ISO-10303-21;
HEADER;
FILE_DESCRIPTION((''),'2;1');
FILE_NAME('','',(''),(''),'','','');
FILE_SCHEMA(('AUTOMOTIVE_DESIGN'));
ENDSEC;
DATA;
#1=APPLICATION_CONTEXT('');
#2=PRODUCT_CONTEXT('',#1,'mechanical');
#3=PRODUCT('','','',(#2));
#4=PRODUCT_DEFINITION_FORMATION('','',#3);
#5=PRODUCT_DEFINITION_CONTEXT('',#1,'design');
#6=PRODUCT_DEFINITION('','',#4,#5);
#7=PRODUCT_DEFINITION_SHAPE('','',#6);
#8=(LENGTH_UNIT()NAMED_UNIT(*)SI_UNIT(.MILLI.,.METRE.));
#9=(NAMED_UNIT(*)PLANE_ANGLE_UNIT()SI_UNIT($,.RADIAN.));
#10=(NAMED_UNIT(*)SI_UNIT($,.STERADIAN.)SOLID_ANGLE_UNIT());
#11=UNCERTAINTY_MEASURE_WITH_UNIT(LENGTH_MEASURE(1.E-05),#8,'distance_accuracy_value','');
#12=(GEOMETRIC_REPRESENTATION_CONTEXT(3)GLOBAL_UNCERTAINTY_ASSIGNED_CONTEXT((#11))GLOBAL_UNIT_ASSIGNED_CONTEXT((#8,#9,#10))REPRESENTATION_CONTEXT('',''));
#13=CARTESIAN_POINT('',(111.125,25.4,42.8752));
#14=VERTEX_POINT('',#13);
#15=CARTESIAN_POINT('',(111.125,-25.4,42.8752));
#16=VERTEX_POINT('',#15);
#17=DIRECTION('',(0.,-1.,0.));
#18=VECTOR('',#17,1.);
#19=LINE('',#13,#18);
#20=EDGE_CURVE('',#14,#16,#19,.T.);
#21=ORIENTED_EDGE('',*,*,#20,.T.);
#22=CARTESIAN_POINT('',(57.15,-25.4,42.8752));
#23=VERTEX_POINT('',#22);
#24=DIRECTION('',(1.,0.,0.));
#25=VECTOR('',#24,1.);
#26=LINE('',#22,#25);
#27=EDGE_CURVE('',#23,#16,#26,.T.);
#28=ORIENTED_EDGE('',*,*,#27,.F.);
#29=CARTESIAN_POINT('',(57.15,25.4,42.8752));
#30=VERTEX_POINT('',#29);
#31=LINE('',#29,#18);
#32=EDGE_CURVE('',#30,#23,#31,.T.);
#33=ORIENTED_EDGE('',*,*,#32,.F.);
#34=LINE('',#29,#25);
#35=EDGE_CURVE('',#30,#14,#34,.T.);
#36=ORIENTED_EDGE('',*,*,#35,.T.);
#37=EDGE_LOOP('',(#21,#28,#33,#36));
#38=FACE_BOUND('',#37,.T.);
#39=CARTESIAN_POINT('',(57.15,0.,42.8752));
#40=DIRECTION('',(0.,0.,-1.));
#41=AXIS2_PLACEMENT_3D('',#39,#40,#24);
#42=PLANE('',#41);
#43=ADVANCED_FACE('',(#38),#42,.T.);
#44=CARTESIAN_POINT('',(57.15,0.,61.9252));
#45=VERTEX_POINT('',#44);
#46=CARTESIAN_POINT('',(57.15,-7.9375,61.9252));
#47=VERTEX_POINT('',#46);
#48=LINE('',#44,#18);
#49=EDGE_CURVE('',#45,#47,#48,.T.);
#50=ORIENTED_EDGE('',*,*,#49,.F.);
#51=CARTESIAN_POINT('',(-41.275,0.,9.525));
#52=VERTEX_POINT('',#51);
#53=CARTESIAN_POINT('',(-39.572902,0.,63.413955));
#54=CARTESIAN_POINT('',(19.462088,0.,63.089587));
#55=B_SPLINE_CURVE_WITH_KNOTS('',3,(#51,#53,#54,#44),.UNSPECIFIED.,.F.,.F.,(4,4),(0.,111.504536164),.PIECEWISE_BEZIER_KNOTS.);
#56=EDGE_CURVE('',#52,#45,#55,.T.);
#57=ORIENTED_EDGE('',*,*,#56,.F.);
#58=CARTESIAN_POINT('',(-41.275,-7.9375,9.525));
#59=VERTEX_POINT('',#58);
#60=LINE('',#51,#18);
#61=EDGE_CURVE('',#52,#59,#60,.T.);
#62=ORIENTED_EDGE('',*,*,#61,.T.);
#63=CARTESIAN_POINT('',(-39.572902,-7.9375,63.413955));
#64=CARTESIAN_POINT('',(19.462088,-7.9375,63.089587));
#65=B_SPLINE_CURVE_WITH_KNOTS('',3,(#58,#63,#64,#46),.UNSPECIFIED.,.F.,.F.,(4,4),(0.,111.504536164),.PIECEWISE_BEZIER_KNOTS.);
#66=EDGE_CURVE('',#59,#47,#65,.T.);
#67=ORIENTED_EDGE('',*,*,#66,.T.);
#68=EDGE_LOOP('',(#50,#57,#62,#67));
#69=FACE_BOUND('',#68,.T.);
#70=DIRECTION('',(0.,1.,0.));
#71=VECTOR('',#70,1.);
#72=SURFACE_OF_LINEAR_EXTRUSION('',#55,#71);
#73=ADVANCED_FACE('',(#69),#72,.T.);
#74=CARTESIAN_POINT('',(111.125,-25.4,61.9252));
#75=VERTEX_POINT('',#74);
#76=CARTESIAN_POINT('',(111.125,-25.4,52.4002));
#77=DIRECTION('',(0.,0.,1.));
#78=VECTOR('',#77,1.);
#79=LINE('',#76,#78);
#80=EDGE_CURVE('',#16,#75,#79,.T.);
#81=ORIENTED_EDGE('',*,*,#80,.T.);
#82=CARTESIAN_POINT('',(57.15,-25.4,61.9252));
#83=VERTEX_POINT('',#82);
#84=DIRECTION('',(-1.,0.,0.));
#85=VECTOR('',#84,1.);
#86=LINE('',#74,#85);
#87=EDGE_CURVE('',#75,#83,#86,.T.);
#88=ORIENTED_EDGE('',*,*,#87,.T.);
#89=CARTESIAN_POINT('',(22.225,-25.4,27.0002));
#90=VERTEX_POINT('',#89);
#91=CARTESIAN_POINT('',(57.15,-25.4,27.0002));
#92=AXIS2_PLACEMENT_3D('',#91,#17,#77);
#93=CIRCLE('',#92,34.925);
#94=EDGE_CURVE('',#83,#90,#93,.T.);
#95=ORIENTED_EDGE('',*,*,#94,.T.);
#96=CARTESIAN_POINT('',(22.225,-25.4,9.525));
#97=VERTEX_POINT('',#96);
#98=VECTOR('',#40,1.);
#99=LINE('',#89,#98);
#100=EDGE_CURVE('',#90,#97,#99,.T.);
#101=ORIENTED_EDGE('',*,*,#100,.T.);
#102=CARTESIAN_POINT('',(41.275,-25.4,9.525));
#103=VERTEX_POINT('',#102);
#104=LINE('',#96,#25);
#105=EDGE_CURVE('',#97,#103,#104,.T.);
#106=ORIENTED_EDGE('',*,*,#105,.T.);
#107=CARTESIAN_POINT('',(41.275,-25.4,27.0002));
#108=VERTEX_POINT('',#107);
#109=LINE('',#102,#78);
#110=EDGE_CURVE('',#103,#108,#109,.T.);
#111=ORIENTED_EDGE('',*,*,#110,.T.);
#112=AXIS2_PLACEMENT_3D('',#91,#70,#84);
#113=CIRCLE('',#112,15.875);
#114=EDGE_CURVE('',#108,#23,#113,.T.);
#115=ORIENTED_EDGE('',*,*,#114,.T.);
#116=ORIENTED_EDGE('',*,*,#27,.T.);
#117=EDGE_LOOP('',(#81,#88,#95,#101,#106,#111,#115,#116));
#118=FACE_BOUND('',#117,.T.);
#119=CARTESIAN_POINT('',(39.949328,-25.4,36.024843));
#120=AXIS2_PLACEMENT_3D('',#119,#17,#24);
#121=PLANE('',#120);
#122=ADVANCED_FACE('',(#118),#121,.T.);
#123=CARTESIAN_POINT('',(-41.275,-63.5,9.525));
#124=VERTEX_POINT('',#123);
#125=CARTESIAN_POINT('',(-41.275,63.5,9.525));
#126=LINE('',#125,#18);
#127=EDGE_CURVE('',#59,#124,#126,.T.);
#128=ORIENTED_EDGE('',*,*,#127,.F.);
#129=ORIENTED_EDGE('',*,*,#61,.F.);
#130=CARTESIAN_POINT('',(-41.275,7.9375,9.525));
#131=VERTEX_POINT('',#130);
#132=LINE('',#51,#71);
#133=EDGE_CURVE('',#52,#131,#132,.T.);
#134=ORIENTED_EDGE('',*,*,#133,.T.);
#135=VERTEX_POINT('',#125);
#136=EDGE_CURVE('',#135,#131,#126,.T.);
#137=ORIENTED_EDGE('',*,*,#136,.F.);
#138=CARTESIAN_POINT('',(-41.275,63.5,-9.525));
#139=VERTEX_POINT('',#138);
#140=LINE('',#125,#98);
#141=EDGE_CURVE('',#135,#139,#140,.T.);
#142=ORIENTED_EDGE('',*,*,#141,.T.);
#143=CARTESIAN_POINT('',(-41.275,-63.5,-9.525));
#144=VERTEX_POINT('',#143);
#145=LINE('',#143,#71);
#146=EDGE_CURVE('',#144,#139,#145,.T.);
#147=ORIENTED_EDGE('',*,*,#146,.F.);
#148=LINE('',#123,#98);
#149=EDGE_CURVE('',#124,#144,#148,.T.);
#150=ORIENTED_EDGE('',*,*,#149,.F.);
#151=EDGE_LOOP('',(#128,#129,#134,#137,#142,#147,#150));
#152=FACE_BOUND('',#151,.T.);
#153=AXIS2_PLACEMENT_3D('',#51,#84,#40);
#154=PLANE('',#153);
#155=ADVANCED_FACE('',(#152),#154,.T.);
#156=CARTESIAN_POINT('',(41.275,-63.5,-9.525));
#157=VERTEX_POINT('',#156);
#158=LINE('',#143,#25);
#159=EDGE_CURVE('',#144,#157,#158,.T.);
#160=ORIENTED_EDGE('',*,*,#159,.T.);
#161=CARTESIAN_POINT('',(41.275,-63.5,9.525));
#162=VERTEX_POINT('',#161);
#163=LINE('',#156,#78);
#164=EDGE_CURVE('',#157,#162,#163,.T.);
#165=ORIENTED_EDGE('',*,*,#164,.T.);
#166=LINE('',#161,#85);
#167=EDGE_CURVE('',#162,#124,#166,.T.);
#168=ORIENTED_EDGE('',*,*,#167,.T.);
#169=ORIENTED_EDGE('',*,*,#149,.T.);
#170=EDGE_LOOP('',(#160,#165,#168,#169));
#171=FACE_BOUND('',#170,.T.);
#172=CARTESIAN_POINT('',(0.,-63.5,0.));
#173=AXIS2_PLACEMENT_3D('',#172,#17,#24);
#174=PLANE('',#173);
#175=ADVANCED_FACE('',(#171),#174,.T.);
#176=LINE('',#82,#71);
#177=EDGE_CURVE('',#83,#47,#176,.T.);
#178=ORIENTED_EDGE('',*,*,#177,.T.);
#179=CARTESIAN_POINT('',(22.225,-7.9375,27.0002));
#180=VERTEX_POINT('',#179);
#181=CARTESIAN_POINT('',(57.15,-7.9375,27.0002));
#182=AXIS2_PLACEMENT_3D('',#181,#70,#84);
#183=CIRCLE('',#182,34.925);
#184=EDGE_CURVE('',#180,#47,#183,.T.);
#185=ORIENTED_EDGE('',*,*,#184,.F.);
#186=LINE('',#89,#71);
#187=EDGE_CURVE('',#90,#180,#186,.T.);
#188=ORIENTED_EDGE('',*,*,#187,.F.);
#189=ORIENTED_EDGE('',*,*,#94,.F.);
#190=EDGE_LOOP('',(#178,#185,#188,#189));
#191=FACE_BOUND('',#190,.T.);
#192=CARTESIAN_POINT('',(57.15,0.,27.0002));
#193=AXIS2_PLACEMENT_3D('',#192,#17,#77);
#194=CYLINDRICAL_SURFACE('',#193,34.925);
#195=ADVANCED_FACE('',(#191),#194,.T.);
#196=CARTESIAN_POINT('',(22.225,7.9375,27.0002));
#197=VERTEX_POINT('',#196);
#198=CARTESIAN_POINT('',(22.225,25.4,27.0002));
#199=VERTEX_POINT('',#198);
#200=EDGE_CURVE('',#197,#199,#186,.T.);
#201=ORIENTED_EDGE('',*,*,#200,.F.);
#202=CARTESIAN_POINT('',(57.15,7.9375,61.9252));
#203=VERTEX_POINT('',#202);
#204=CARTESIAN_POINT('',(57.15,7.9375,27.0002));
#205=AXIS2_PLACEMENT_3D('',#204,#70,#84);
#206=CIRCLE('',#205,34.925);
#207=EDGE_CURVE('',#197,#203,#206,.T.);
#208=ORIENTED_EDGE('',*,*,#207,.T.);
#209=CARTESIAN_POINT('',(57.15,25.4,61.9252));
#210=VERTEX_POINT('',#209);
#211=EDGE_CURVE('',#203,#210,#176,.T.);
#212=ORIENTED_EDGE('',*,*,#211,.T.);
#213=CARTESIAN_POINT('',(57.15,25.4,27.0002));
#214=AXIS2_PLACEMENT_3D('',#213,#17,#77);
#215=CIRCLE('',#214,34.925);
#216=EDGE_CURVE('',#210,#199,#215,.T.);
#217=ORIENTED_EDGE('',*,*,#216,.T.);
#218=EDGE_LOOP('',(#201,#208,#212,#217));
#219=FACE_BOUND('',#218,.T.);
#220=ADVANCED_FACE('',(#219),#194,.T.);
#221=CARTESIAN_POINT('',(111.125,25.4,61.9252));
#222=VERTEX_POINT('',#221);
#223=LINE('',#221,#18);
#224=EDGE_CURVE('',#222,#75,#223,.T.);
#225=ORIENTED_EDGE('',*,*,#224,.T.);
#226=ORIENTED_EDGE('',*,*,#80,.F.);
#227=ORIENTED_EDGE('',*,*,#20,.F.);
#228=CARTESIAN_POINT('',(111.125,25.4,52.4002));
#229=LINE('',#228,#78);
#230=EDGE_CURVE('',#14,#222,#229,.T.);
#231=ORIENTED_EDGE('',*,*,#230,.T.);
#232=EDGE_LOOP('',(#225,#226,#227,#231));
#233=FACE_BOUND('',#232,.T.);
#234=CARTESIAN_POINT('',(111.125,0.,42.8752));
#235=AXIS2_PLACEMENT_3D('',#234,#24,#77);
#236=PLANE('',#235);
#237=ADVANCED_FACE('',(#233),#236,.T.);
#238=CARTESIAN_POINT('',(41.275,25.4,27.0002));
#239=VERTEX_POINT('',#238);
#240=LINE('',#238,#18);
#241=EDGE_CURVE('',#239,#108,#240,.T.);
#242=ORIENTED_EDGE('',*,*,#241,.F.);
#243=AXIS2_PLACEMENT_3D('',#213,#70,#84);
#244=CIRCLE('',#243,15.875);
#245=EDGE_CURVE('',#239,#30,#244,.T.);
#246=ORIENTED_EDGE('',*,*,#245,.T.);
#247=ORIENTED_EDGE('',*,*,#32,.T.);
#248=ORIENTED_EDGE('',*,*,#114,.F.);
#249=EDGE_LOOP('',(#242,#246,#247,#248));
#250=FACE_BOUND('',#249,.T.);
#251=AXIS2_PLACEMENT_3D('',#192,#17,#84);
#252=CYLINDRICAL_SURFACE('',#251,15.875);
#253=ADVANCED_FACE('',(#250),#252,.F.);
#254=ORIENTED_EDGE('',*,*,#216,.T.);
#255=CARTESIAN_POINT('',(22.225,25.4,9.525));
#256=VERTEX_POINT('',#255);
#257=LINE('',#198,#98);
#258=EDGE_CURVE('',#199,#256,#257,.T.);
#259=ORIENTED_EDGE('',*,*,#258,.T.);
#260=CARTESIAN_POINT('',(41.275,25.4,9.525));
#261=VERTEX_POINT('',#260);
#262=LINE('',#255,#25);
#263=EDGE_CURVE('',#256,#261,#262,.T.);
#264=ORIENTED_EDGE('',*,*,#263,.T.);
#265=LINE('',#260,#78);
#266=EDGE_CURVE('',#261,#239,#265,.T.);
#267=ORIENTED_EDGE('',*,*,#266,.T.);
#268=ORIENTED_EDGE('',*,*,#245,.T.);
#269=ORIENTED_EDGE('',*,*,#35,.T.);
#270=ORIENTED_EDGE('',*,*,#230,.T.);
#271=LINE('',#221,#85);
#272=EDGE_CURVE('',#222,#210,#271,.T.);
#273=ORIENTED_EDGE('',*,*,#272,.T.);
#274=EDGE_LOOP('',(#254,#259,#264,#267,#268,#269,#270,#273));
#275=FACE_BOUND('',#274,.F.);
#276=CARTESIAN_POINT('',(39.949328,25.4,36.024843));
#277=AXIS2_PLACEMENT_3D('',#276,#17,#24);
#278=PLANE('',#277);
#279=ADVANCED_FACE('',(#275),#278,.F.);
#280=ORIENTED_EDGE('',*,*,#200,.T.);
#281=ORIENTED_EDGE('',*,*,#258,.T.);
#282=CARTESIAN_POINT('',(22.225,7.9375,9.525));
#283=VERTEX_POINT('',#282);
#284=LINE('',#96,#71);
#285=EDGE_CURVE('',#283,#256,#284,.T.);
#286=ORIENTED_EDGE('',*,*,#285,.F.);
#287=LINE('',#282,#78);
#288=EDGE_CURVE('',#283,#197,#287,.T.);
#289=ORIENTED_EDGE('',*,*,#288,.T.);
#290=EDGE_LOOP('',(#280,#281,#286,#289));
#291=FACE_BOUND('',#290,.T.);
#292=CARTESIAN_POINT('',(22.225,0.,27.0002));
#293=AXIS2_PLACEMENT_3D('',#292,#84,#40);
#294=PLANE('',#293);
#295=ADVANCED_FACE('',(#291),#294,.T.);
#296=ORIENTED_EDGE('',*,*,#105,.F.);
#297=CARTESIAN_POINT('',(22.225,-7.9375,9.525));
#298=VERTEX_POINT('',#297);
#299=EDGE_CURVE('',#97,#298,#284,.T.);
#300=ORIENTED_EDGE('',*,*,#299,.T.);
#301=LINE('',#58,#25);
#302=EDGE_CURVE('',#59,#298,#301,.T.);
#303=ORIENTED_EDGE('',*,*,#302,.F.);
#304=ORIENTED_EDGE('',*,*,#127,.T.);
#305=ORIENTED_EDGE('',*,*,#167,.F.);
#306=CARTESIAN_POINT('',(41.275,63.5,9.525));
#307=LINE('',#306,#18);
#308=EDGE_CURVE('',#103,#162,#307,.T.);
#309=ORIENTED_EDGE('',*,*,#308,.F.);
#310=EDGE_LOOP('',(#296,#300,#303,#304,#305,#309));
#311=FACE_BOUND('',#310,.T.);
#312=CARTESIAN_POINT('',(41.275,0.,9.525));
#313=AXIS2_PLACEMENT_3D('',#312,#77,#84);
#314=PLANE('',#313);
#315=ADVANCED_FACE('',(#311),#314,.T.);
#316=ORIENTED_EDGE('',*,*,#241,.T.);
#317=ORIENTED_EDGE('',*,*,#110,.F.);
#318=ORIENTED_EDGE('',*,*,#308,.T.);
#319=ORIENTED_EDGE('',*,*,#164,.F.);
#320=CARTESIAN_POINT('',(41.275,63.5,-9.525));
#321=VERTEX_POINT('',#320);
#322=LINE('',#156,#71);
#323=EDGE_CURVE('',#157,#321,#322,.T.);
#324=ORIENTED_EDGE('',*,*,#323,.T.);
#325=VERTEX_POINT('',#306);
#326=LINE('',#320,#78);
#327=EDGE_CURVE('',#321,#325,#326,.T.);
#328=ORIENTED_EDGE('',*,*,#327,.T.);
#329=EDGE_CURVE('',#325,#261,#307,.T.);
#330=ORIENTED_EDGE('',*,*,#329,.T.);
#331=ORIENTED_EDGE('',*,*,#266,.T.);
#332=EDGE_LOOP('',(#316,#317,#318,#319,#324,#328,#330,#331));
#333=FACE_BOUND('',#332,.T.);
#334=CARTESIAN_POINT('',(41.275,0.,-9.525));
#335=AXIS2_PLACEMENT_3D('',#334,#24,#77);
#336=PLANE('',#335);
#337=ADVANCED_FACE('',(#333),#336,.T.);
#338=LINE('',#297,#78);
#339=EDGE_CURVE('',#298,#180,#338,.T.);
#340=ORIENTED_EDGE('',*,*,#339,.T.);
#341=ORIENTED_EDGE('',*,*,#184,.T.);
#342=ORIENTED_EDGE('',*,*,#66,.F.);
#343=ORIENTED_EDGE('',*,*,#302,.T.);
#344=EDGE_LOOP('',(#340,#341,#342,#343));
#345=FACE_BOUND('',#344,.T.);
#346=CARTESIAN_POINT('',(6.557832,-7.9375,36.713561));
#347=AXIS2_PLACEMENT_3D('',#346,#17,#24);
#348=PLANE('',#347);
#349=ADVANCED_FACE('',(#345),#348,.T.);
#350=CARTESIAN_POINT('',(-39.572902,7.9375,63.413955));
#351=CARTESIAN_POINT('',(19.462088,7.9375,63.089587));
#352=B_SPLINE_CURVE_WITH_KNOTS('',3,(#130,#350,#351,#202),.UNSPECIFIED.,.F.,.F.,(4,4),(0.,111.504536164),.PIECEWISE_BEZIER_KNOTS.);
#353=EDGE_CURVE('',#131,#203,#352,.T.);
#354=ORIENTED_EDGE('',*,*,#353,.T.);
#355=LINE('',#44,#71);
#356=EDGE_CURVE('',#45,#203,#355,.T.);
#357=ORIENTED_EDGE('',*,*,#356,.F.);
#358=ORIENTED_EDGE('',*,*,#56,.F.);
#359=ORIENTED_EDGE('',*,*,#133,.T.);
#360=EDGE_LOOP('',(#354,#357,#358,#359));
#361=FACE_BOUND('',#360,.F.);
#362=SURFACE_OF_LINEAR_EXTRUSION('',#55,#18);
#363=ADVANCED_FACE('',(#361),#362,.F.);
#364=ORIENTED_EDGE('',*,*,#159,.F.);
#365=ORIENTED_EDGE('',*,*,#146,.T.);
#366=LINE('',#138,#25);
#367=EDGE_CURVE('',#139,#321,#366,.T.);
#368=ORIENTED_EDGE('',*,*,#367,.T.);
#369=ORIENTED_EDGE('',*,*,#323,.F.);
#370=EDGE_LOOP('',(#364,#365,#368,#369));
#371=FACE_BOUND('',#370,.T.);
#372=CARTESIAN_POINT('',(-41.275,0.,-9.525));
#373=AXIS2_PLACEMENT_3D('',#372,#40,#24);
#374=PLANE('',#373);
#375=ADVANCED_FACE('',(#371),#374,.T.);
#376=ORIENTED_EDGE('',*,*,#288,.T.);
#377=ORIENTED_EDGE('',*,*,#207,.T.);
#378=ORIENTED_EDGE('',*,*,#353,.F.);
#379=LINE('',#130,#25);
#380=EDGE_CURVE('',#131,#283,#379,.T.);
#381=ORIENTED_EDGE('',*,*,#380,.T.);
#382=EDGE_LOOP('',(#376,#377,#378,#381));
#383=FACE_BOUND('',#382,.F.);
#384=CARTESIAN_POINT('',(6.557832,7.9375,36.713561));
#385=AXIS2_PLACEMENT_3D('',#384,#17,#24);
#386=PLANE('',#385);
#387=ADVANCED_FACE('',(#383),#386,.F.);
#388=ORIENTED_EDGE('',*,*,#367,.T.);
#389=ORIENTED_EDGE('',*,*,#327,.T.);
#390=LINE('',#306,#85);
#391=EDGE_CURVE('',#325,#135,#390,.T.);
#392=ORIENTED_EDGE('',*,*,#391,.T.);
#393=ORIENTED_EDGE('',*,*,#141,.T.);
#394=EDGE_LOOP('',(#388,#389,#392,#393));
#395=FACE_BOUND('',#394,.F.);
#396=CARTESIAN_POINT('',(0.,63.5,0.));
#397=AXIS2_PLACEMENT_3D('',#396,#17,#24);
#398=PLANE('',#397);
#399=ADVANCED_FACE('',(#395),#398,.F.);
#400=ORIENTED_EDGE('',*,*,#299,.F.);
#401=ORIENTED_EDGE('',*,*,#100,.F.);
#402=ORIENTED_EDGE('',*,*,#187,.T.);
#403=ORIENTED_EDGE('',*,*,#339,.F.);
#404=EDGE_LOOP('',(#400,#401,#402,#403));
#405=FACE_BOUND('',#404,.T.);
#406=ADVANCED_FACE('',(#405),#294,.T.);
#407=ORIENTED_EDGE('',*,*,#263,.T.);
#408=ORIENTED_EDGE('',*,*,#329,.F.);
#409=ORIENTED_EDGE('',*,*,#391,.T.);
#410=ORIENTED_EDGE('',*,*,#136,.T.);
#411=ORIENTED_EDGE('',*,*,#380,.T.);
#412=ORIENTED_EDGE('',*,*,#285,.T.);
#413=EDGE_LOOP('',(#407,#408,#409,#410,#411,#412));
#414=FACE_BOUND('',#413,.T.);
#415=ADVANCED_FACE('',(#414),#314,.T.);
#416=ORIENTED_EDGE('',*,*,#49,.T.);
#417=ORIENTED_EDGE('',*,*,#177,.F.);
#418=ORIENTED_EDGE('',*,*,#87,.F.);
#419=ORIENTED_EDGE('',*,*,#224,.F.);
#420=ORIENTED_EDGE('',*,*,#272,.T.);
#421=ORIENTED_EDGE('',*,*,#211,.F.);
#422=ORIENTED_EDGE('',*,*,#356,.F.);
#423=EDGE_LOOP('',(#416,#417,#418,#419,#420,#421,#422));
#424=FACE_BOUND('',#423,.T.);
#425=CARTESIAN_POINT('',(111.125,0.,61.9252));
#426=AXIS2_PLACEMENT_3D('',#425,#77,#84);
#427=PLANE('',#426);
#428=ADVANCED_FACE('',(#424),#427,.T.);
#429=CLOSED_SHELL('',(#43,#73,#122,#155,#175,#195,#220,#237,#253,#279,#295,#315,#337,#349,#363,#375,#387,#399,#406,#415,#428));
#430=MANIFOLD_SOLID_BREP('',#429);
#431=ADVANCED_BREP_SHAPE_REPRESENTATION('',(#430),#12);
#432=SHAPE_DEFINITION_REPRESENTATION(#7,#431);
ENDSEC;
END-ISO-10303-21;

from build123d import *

# Parameters (mm, degrees)
F1_DEPTH = 63.5
F0_W     = 50.8
F0_H     = 19.05
F2_DEPTH = 25.4
F3_DEPTH = 7.9375


with BuildPart() as f1:
    # F0 (on Front) → F1 (new body, symmetric)
    with BuildSketch(Plane.XZ):
        Polygon((41.275, -9.525), (41.275, 9.525), (22.225, 9.525), (-41.275, 9.525), (-41.275, -9.525), align=None)
    extrude(amount=F1_DEPTH, both=True)

    # F0 (on Front) → F2 (join, symmetric)
    with BuildSketch(Plane.XZ):
        with BuildLine():
            Line((22.225, 9.525), (41.275, 9.525))
            Line((41.275, 9.525), (41.275, 27.0002))
            ThreePointArc((41.275, 27.0002), (45.9246798487, 38.2255201513), (57.15, 42.8752))
            Line((57.15, 42.8752), (60.325, 42.8752))
            Line((60.325, 42.8752), (60.325, 61.9252))
            Line((60.325, 61.9252), (57.15, 61.9252))
            ThreePointArc((57.15, 61.9252), (32.4542956671, 51.6959043329), (22.225, 27.0002))
            Line((22.225, 27.0002), (22.225, 9.525))
        make_face()
        with Locations((85.725, 52.4002)):
            Rectangle(F0_W, F0_H)
    extrude(amount=F2_DEPTH, both=True)

    # F0 (on Front) → F3 (join, symmetric)
    with BuildSketch(Plane.XZ):
        with BuildLine():
            Line((-41.275, 9.525), (22.225, 9.525))
            Line((22.225, 9.525), (22.225, 27.0002))
            ThreePointArc((22.225, 27.0002), (32.4542956671, 51.6959043329), (57.15, 61.9252))
            add(Edge.make_bspline(
                [(-41.275, 9.525), (-39.5729020238, 63.4139552712), (19.462088123, 63.0895867944), (57.15, 61.9252)],
                knots=[0, 0, 0, 0, 111.5045361635, 111.5045361635, 111.5045361635, 111.5045361635], degree=3))
        make_face()
    extrude(amount=F3_DEPTH, both=True)


solid = f1.part
